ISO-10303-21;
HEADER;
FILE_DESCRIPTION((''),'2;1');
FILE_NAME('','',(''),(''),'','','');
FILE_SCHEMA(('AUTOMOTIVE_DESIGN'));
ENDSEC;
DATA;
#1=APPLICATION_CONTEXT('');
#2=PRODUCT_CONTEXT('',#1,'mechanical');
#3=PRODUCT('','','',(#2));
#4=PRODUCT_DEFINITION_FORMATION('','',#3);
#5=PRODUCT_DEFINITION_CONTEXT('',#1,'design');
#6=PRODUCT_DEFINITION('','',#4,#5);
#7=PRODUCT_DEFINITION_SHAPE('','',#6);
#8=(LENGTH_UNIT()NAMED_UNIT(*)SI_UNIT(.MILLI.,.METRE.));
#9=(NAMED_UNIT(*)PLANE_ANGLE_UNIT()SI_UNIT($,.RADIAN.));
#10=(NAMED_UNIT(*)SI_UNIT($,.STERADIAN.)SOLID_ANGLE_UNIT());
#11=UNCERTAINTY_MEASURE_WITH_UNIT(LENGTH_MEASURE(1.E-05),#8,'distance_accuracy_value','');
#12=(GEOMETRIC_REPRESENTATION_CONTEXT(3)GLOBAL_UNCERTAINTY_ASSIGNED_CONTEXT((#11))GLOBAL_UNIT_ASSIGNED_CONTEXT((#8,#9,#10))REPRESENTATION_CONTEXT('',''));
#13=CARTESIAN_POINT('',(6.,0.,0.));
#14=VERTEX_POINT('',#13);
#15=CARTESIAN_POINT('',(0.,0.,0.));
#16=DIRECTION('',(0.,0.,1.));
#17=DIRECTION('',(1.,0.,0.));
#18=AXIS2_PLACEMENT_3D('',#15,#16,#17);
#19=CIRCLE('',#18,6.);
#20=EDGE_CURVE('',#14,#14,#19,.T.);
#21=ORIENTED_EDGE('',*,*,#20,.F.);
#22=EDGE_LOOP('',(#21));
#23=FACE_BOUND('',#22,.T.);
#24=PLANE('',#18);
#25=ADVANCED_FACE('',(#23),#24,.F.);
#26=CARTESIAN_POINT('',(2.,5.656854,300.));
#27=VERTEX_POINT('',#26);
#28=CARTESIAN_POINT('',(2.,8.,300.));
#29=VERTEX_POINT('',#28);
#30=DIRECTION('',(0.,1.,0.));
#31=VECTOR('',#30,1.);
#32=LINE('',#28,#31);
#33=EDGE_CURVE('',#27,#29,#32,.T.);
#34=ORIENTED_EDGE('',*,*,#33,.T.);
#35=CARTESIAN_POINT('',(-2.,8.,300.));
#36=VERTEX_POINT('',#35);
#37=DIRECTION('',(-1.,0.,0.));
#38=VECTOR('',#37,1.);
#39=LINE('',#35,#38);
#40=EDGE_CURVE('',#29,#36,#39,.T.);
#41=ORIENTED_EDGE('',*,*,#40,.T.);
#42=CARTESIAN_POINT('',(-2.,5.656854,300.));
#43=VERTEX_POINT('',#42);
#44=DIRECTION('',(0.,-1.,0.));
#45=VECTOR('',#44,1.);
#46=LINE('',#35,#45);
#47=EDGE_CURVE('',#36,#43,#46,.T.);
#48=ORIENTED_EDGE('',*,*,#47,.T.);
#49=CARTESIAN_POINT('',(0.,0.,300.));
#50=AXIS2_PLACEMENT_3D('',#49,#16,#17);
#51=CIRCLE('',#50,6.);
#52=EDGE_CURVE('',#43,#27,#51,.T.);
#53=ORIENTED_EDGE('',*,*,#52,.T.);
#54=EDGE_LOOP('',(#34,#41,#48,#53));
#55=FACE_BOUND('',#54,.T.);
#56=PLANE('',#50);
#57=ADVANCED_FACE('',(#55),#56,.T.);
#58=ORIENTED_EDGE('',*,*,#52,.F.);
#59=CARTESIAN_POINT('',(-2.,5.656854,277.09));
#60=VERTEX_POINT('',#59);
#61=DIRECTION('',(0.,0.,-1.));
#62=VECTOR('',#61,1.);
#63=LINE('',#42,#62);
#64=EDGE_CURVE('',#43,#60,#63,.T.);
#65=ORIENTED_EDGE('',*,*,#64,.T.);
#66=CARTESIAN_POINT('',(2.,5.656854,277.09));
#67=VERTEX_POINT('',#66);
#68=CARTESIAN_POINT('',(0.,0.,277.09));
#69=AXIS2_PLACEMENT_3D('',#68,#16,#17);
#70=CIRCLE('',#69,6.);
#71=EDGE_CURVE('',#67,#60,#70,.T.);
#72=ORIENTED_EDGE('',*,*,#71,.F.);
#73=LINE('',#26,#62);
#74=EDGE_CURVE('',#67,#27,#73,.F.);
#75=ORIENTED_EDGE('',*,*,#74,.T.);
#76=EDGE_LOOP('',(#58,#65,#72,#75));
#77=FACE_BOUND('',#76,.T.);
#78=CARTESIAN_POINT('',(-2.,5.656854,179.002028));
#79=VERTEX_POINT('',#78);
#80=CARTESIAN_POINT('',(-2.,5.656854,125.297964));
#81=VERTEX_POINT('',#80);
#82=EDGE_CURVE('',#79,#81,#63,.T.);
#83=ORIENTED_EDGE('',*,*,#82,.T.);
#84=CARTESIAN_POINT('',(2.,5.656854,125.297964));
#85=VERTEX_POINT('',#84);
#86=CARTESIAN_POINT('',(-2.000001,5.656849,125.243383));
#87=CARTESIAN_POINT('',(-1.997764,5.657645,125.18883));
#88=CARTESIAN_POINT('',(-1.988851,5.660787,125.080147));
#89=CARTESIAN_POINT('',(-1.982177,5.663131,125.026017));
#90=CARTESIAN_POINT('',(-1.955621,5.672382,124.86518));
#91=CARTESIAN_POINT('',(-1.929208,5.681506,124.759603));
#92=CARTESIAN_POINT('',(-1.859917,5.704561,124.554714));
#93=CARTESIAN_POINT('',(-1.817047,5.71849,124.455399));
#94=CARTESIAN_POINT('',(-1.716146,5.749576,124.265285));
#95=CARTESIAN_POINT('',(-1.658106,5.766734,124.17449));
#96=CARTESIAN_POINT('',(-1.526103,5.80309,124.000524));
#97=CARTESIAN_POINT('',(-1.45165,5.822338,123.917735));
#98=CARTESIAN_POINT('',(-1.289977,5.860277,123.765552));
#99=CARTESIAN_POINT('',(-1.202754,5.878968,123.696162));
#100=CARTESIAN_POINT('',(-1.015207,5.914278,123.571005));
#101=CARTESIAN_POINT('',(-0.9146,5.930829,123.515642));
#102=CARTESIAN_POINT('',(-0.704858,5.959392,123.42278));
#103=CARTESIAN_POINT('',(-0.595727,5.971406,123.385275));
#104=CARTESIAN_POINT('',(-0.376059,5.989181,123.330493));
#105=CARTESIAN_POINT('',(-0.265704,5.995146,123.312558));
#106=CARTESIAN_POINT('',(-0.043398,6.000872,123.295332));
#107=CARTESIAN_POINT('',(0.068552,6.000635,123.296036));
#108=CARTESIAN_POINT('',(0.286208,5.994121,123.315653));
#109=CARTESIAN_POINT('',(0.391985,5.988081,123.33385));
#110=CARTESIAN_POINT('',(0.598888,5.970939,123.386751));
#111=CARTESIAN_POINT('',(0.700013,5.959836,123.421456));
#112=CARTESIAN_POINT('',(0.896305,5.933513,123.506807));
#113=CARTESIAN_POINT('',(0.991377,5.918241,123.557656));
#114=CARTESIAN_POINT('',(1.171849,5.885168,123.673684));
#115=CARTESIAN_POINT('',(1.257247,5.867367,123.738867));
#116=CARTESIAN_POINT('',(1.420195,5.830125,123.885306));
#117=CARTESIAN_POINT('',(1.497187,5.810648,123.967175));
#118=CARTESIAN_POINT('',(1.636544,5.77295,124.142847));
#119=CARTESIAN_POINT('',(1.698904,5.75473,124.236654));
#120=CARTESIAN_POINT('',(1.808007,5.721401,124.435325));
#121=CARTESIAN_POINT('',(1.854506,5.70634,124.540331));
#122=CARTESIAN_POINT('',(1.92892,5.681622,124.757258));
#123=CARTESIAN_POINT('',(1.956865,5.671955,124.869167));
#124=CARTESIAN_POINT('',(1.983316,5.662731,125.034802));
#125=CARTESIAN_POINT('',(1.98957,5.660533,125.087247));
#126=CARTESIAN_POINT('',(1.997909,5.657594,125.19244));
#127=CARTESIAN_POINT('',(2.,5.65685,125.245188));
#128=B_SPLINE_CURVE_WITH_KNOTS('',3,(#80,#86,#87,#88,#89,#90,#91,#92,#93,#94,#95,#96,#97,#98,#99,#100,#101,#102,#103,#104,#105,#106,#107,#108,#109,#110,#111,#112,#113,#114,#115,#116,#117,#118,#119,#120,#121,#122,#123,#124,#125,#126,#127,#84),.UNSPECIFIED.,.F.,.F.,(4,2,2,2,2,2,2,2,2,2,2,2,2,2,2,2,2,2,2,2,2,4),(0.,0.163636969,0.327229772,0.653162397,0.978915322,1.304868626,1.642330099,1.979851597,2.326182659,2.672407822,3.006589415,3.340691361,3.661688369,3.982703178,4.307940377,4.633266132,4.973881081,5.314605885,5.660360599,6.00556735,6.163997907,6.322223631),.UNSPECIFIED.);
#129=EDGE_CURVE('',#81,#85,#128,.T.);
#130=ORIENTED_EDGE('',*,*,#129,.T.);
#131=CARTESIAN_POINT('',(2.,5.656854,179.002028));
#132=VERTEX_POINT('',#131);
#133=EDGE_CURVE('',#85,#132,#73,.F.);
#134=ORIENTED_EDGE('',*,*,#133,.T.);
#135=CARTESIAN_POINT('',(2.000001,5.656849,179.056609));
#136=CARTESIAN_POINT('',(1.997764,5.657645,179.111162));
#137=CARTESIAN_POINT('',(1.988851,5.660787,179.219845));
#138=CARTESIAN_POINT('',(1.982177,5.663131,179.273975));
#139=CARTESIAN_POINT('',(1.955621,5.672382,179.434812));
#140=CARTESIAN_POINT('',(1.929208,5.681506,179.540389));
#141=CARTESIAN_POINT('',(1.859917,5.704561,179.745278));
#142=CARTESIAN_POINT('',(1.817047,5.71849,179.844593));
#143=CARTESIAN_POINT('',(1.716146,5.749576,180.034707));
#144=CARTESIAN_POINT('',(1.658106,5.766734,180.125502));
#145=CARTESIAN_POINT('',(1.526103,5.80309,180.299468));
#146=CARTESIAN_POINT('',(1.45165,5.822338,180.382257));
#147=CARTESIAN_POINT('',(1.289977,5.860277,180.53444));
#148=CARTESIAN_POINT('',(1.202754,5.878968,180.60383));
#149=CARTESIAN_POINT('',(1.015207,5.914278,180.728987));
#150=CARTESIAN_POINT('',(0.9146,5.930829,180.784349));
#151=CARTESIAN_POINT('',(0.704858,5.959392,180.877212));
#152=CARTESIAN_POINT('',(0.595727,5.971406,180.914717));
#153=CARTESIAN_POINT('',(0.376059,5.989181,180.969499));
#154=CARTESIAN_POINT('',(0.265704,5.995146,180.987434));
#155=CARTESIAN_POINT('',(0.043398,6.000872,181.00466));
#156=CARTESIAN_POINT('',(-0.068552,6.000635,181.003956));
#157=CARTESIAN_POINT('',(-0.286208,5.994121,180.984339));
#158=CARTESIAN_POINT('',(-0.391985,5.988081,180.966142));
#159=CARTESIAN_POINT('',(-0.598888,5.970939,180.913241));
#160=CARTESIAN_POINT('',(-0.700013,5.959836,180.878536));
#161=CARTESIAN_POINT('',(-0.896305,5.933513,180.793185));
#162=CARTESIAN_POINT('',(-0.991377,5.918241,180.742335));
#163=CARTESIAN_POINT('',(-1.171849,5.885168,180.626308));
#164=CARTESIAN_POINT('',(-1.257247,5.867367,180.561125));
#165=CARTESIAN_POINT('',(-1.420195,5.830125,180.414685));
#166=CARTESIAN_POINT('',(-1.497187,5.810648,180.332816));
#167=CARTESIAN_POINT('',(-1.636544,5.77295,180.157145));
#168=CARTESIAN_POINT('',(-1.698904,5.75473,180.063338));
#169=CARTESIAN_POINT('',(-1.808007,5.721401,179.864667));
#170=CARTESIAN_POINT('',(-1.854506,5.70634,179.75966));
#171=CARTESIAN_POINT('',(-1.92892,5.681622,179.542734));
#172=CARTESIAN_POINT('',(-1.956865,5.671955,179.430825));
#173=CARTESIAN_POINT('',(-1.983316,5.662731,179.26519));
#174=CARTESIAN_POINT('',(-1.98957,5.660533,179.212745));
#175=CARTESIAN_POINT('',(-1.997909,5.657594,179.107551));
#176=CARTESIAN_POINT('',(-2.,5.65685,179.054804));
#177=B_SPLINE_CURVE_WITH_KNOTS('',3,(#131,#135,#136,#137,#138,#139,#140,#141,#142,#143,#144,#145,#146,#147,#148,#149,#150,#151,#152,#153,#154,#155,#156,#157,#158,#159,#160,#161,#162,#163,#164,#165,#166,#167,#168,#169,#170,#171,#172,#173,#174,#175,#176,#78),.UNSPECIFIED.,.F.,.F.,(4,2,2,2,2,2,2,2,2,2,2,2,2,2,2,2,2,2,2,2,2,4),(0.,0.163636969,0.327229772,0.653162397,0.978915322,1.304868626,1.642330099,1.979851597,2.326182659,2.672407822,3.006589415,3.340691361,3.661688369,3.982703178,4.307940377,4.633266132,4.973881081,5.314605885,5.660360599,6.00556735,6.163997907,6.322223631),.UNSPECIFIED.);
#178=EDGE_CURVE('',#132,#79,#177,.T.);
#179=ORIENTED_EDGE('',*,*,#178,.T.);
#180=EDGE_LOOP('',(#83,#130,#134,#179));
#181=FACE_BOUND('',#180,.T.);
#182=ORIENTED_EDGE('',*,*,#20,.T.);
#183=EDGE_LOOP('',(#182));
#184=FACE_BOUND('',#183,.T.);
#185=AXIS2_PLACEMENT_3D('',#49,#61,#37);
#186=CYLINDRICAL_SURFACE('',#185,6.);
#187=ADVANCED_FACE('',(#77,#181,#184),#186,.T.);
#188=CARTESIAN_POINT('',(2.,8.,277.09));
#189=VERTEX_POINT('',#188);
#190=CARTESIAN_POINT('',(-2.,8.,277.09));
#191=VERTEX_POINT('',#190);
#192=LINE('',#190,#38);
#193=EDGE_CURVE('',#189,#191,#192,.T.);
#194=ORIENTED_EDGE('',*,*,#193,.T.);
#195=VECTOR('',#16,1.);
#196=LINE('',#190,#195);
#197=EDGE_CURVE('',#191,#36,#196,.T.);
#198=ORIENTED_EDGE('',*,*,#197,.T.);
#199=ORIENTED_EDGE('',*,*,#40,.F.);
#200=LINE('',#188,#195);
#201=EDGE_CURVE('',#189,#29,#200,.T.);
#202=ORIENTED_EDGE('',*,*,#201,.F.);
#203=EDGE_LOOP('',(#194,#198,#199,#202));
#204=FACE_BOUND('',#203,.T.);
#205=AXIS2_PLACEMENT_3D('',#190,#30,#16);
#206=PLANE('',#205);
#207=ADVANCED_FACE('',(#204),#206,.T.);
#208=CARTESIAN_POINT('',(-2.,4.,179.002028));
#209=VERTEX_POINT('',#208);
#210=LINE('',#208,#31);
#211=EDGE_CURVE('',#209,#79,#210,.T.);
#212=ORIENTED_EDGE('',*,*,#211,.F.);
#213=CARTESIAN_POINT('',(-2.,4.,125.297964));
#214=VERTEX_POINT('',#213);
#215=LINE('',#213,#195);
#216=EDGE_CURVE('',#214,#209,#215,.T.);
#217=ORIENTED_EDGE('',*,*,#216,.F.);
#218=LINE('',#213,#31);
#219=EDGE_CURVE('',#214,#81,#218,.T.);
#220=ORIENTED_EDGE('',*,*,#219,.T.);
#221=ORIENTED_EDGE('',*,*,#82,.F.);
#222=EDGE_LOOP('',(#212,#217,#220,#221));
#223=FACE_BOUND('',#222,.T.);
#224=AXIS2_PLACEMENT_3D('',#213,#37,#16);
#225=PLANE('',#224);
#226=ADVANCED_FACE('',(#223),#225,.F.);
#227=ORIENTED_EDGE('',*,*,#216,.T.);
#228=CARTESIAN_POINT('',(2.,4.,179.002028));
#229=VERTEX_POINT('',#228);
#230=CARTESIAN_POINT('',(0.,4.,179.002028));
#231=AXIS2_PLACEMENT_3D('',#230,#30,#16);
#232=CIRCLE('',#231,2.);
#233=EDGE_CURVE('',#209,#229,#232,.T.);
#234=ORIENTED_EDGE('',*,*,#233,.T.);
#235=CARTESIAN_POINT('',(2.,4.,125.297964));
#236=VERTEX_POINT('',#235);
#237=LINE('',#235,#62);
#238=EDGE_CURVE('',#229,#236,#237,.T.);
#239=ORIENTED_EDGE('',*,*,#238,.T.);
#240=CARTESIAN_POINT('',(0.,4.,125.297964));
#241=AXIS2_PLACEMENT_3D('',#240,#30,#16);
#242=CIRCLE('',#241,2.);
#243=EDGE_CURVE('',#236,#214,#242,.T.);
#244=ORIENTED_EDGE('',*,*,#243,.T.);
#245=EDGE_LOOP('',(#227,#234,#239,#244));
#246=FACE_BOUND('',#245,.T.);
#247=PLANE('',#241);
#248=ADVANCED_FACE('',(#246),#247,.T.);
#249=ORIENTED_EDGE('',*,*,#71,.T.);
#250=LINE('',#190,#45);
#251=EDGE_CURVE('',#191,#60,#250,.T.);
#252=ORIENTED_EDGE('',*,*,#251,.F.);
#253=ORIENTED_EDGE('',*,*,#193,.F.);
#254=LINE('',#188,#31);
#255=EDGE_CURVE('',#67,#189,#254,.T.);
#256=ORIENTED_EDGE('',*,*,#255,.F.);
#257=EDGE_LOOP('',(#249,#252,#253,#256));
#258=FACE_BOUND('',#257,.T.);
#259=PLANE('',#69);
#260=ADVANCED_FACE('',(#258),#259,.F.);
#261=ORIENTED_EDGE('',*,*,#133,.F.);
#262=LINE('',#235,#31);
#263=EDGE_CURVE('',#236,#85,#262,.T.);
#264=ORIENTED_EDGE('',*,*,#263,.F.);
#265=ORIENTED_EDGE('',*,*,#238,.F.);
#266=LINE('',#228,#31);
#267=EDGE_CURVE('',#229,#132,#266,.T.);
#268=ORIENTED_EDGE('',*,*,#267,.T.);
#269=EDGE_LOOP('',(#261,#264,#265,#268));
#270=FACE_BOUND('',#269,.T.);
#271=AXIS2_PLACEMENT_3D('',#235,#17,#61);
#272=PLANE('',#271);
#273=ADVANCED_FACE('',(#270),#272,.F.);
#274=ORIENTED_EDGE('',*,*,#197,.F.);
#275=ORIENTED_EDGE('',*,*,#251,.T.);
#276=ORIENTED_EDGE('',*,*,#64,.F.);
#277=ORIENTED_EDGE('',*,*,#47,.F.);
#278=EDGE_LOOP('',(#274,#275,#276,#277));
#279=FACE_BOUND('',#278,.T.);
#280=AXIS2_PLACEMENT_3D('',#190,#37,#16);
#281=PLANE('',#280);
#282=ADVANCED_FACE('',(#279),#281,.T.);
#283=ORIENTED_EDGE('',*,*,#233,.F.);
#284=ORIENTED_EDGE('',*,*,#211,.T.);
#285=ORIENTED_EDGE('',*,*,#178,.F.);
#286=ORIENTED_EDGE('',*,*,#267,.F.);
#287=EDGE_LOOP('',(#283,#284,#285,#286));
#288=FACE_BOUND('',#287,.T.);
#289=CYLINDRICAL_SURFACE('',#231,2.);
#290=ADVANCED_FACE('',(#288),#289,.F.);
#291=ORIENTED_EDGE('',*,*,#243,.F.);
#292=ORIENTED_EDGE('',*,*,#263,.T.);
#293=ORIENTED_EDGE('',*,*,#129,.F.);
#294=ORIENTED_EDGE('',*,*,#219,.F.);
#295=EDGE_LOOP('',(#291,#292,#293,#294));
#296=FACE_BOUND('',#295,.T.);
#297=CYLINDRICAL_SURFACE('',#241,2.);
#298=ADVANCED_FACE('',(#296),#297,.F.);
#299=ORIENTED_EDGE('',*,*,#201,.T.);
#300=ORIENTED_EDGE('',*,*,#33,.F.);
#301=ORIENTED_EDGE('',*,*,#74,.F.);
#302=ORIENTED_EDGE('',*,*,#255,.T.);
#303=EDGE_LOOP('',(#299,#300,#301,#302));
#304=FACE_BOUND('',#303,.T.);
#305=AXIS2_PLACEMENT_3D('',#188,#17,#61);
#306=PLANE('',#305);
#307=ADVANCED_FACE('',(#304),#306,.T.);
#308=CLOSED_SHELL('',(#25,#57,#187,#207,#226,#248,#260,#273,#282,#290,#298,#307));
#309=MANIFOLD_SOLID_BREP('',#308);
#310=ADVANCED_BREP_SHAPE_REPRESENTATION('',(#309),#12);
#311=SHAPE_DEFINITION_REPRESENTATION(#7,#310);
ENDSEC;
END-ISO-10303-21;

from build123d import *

# Parameters (mm, degrees)
SKETCH_1_R          = 6
EXTRUDE_1_DEPTH     = 300
SKETCH_2_W          = 4
SKETCH_2_H          = 5.416856643
EXTRUDE_2_DEPTH     = 22.91
CUT_EXTRUDE_START   = 6
CUT_EXTRUDE_1_DEPTH = 2


with BuildPart() as part:
    # 草图1 → 凸台-拉伸1 (new body)
    with BuildSketch(Plane.XY):
        Circle(SKETCH_1_R)
    extrude(amount=EXTRUDE_1_DEPTH)

    # 草图2 → 凸台-拉伸2 (add)
    with BuildSketch(Plane.XY.offset(300)):
        with Locations((0, 5.291571679)):
            Rectangle(SKETCH_2_W, SKETCH_2_H)
    extrude(amount=-EXTRUDE_2_DEPTH)

    # 草图3 → 切除-拉伸1 (cut)
    with BuildSketch(Plane(origin=(0, 0, 0), x_dir=(1, 0, 0), z_dir=(0, 1, 0)).offset(CUT_EXTRUDE_START)):
        with BuildLine():
            Line((2, -125.29796429), (2, -179.002027522))
            ThreePointArc((2, -179.002027522), (0, -181.002027522), (-2, -179.002027522))
            Line((-2, -179.002027522), (-2, -125.29796429))
            ThreePointArc((-2, -125.29796429), (0, -123.29796429), (2, -125.29796429))
        make_face()
    extrude(amount=-CUT_EXTRUDE_1_DEPTH, mode=Mode.SUBTRACT)


solid = part.part
